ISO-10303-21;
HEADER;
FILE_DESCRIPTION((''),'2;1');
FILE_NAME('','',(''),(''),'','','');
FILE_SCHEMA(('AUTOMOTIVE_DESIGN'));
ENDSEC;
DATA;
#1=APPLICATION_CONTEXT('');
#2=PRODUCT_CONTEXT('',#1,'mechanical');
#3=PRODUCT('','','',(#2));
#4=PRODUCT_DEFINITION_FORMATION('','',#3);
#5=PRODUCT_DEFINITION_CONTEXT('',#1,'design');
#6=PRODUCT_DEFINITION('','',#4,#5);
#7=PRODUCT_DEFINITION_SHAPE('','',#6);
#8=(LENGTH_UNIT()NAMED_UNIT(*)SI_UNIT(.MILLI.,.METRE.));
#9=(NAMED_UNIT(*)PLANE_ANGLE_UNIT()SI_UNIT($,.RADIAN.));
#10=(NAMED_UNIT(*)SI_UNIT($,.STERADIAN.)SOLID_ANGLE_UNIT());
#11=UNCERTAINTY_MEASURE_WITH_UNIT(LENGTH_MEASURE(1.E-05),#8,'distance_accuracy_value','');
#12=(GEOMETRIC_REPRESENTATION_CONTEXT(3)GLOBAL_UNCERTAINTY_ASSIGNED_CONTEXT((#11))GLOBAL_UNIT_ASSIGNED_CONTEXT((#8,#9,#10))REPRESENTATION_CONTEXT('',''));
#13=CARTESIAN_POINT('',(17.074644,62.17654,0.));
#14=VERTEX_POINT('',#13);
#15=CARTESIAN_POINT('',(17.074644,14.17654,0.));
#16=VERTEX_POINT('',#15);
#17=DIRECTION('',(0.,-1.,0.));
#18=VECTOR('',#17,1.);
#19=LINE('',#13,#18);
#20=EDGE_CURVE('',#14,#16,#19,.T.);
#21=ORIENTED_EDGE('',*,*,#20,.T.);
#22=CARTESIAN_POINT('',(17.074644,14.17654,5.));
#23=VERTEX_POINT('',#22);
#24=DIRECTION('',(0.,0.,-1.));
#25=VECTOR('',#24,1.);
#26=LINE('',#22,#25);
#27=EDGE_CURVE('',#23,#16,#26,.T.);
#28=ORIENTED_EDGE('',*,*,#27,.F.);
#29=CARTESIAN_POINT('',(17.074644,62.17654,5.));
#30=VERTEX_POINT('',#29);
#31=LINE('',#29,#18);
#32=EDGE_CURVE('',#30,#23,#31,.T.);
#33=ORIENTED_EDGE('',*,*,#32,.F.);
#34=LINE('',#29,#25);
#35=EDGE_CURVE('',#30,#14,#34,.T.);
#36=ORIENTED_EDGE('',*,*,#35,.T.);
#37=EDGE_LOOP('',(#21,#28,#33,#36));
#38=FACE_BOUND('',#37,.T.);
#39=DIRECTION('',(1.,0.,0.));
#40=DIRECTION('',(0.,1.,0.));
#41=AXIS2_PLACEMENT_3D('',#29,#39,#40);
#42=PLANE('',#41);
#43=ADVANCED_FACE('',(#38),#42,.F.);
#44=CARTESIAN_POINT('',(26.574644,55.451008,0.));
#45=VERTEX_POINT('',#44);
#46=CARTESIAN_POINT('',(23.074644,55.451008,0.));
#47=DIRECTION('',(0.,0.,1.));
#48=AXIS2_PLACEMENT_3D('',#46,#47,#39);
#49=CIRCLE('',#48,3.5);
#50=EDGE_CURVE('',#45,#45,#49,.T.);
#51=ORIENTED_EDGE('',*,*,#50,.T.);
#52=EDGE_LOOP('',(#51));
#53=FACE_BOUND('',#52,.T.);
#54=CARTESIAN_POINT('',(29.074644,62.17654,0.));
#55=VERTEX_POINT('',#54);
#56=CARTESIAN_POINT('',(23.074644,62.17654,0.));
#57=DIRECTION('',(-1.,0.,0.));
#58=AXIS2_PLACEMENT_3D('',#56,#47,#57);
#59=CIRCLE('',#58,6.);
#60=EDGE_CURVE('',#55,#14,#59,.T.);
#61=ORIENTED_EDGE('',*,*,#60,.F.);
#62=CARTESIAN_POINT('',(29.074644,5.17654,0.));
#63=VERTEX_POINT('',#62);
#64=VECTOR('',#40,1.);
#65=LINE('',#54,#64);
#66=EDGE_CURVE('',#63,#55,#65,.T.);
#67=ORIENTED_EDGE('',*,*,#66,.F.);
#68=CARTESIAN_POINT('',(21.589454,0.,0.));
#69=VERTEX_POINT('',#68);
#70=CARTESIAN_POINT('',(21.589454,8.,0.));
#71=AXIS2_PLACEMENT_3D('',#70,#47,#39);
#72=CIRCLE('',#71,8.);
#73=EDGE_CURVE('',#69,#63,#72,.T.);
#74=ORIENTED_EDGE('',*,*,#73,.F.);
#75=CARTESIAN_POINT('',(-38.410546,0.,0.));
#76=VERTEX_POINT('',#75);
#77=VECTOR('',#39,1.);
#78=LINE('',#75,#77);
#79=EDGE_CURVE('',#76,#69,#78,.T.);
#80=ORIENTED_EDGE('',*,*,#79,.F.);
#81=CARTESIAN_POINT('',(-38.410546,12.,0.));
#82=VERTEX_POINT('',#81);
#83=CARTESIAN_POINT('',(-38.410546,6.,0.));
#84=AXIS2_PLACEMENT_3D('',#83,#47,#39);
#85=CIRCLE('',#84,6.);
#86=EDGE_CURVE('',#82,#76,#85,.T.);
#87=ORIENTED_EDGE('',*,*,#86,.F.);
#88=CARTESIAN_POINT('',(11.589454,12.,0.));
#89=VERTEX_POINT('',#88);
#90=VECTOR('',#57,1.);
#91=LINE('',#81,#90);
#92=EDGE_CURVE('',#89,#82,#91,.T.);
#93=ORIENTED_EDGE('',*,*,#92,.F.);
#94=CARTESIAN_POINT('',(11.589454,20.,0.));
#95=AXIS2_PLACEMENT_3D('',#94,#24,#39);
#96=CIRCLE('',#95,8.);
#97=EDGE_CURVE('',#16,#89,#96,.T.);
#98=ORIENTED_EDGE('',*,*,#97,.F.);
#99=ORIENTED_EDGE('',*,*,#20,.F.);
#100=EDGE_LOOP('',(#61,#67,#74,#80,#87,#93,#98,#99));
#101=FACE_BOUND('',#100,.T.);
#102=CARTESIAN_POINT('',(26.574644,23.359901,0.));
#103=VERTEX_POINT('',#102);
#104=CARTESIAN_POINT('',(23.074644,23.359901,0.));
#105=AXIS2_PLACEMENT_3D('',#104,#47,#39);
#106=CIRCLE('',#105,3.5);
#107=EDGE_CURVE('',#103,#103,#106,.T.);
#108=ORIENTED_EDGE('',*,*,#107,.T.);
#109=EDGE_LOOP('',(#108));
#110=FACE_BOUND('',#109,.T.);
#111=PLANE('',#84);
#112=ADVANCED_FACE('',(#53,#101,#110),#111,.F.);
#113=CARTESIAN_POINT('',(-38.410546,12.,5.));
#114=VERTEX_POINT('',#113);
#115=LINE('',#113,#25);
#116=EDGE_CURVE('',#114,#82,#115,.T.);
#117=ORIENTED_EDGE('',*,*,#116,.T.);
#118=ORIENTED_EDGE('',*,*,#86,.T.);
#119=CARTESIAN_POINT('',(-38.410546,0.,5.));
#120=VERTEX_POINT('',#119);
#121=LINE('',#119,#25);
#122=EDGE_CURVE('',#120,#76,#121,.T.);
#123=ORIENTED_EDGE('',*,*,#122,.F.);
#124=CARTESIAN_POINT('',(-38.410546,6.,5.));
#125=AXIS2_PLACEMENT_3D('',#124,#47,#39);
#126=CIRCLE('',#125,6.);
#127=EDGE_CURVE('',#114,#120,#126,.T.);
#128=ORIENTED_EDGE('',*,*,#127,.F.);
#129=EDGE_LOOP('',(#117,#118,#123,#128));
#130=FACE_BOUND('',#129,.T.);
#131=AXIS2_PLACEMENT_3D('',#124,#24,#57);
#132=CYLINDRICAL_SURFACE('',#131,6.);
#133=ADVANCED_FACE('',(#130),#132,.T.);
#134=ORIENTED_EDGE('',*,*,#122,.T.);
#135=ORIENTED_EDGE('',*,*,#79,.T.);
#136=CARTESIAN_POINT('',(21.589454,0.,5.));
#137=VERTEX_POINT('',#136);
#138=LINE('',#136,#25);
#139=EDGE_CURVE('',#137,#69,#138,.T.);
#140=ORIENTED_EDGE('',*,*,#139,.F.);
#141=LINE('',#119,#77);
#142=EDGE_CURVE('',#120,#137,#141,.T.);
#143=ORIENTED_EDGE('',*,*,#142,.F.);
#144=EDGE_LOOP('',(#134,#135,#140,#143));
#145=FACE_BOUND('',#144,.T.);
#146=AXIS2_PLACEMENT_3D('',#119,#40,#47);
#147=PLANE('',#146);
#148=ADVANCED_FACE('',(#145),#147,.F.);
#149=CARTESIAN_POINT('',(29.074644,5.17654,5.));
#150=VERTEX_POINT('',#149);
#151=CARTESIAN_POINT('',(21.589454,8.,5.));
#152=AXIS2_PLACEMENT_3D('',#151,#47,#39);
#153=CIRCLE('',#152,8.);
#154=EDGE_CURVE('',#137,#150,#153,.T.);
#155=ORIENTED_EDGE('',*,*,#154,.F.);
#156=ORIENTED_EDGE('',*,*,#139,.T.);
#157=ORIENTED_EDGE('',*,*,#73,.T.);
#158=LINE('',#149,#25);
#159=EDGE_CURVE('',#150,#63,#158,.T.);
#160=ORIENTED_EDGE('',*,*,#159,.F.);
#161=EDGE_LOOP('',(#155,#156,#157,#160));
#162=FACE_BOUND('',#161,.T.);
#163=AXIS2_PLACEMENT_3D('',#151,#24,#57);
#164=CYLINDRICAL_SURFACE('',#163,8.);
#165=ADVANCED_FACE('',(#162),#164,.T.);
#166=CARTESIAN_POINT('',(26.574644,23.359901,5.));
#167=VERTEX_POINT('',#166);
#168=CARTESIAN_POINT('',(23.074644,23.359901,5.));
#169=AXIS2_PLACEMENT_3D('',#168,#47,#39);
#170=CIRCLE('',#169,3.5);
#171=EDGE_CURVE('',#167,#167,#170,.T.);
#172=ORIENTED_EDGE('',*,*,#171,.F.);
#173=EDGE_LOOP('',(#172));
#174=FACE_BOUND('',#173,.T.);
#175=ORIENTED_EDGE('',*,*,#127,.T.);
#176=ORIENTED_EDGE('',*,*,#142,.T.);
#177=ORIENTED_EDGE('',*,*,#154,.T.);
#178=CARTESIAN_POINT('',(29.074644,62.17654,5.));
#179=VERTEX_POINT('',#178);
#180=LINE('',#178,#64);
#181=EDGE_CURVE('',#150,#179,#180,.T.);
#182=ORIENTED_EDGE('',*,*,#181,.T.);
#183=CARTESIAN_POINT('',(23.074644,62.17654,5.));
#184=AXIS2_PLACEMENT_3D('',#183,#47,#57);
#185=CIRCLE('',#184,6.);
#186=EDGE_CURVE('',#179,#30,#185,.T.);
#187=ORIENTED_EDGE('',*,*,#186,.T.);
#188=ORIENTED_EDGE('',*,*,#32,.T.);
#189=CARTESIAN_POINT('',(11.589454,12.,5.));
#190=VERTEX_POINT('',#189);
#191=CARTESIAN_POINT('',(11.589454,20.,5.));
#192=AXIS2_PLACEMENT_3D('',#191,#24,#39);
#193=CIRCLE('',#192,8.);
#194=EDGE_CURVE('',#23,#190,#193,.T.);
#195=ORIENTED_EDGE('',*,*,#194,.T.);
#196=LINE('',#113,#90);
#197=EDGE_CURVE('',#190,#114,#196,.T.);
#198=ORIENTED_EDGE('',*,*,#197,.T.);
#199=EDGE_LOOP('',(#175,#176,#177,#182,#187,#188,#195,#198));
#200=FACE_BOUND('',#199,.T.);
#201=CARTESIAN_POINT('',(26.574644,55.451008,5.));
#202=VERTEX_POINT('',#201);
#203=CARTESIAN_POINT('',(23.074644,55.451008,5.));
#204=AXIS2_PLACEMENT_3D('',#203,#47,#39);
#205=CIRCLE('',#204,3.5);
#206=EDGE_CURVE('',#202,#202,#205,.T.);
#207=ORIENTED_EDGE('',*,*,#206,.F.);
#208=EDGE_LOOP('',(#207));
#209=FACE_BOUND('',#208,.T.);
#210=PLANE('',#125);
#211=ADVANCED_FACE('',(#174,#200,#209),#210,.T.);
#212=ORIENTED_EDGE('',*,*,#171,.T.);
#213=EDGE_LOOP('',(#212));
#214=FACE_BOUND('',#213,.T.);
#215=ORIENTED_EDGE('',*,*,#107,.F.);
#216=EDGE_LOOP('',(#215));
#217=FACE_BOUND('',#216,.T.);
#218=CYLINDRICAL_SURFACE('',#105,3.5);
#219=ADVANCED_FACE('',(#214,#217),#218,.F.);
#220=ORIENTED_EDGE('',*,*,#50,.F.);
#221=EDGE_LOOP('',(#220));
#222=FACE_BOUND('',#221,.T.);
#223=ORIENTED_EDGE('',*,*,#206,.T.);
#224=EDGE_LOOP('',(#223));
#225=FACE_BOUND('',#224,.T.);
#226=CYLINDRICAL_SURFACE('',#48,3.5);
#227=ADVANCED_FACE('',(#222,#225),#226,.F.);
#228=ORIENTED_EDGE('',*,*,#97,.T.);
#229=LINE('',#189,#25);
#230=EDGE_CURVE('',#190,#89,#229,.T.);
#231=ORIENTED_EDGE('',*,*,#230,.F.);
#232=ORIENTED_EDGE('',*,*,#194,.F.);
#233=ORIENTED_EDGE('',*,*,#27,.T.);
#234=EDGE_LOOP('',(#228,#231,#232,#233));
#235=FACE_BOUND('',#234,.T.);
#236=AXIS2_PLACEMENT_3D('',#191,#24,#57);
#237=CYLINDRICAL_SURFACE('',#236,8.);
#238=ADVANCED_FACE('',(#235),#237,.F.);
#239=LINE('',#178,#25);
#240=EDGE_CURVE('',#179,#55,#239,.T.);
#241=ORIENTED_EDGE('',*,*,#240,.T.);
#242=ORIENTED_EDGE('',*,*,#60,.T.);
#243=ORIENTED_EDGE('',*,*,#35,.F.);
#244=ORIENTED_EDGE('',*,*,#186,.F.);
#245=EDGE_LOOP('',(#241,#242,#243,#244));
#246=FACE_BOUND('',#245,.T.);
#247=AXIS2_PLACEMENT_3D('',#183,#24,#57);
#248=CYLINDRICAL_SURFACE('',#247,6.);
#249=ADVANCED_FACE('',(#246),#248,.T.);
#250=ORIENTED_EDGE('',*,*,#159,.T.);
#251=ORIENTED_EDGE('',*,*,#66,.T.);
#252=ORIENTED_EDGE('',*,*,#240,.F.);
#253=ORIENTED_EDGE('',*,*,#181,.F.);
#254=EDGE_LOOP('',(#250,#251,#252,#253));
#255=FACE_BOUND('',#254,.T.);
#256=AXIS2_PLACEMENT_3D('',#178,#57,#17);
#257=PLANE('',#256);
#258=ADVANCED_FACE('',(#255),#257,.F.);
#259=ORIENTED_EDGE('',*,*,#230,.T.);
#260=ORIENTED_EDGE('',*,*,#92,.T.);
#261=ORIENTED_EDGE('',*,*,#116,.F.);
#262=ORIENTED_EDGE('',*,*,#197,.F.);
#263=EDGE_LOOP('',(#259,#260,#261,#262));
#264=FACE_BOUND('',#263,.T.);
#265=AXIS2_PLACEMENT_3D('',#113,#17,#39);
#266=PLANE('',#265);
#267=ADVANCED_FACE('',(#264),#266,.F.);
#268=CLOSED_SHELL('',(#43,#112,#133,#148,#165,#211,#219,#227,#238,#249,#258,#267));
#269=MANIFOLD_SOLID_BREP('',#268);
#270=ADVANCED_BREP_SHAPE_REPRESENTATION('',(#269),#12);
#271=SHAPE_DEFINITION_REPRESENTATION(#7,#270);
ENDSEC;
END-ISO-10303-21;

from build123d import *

# Parameters (mm, degrees)
BOSS_EXTRUDE1_DEPTH = 5
SKETCH2_R           = 3.5
CUT_EXTRUDE1_DEPTH  = 5


with BuildPart() as part:
    # Sketch1 → Boss-Extrude1 (new body)
    with BuildSketch(Plane.XY):
        with BuildLine():
            Line((-38.410546364, 12), (11.589453636, 12))
            ThreePointArc((11.589453636, 12), (14.540073806, 12.564017172), (17.074643865, 14.176539847))
            Line((17.074643865, 14.176539847), (17.074643865, 62.176539847))
            ThreePointArc((17.074643865, 62.176539847), (23.074643865, 68.176539847), (29.074643865, 62.176539847))
            Line((29.074643865, 62.176539847), (29.074643865, 5.176539847))
            ThreePointArc((29.074643865, 5.176539847), (26.139855749, 1.420194485), (21.589453636, 0))
            Line((21.589453636, 0), (-38.410546364, 0))
            ThreePointArc((-38.410546364, 0), (-44.410546364, 6), (-38.410546364, 12))
        make_face()
    extrude(amount=BOSS_EXTRUDE1_DEPTH)

    # Sketch2 → Cut-Extrude1 (cut)
    with BuildSketch(Plane.XY.offset(5)):
        with Locations((23.074643865, 55.451007907)):
            Circle(SKETCH2_R)
        with Locations((23.074643865, 23.359901288)):
            Circle(SKETCH2_R)
    extrude(amount=-CUT_EXTRUDE1_DEPTH, mode=Mode.SUBTRACT)


solid = part.part
